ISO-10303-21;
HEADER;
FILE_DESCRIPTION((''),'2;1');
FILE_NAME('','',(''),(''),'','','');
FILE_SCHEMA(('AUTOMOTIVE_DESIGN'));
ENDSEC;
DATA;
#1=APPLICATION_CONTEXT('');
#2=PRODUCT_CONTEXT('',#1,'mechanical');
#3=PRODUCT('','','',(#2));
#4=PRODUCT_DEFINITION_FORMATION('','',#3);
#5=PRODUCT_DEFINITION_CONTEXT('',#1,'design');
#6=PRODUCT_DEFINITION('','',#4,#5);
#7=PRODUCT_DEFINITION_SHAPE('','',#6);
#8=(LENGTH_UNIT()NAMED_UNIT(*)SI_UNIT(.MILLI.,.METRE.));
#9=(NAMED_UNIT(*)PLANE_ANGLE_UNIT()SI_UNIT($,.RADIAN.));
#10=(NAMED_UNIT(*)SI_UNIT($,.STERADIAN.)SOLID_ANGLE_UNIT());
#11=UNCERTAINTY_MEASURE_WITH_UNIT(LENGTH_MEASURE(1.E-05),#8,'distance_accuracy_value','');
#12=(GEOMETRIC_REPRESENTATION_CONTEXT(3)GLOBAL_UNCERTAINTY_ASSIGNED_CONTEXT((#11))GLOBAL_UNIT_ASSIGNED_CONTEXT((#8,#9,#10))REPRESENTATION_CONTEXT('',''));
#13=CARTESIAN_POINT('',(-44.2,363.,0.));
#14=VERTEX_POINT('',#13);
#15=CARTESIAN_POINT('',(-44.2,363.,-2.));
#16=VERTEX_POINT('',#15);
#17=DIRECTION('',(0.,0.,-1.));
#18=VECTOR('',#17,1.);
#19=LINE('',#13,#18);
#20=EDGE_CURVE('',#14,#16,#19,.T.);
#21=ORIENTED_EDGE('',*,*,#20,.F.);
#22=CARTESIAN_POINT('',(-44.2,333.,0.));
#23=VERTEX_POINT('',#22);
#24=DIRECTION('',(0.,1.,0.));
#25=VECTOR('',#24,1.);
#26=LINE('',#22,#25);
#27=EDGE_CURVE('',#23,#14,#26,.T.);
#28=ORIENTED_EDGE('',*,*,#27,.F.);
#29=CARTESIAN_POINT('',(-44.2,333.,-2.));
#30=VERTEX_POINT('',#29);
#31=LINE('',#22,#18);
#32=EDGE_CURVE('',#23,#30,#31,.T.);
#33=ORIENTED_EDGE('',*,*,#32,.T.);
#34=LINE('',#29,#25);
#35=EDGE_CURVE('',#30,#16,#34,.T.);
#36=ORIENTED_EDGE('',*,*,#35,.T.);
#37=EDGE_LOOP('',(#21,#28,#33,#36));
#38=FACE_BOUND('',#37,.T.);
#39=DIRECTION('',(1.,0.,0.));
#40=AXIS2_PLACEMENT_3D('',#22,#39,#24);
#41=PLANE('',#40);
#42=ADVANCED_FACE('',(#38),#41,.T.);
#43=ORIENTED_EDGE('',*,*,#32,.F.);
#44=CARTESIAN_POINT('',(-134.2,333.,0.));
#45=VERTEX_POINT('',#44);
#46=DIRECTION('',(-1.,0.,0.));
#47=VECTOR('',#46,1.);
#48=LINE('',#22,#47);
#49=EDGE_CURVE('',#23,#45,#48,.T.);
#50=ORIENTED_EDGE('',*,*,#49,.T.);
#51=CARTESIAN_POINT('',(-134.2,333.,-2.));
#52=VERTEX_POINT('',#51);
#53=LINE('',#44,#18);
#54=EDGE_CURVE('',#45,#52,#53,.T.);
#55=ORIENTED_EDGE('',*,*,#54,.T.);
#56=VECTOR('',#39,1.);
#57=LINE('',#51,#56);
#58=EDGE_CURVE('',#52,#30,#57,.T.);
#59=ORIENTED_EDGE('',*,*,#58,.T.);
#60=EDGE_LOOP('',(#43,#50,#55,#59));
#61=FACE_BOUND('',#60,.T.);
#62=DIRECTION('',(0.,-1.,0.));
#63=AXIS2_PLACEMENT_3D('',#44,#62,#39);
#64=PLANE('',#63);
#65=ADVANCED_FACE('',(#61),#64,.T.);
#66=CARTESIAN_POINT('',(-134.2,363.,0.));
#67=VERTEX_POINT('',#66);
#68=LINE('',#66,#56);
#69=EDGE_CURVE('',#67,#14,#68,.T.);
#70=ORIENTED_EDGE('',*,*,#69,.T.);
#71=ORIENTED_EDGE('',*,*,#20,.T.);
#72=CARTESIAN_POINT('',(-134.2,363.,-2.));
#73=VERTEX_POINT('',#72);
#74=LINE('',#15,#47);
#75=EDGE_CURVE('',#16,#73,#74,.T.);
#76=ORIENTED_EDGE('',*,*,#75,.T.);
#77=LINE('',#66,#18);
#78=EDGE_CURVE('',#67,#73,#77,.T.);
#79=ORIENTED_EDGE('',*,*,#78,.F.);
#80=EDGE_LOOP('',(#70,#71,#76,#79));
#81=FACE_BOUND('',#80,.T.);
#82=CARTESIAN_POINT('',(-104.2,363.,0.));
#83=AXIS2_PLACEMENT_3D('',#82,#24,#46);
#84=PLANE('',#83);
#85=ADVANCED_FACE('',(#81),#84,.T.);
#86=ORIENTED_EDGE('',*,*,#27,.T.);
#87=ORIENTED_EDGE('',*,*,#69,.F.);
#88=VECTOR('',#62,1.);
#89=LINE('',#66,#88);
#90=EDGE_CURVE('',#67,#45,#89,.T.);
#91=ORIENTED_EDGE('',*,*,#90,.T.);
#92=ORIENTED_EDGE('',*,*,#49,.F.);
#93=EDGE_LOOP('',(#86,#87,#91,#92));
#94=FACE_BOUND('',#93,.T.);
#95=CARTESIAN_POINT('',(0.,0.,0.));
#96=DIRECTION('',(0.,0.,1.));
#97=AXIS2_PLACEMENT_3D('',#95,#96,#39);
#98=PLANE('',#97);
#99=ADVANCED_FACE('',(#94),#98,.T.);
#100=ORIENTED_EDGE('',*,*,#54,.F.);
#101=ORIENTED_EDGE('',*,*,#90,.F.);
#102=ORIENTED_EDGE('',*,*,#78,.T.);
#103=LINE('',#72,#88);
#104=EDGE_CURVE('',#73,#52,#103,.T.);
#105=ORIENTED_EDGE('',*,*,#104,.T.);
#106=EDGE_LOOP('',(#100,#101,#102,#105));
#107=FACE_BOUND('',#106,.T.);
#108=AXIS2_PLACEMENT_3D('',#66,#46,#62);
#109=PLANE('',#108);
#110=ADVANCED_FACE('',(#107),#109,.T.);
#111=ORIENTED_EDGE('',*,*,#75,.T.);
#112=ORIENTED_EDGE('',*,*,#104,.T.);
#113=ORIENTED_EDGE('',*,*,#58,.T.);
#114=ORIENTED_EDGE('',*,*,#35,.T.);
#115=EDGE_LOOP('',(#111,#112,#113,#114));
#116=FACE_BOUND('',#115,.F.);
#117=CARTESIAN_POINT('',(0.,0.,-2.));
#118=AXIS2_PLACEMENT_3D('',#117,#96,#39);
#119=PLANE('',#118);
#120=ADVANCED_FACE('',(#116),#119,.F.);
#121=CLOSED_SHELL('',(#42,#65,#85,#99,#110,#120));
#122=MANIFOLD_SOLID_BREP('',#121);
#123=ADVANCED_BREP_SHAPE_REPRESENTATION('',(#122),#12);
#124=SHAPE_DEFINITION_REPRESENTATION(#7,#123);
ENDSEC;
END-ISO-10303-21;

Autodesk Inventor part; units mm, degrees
ref_plane "YZ Plane" through (0, 0, 0) normal (1, 0, 0) x (0, 1, 0)
ref_plane "XZ Plane" through (0, 0, 0) normal (0, 1, 0) x (-1, 0, 0)
ref_plane "XY Plane" through (0, 0, 0) normal (0, 0, 1) x (1, 0, 0)
ref_plane "Plano de trabajo1" through (0, 0, 0) normal (0, 0, 1) x (1, 0, 0)
sketch "Boceto1" plane through (0, 0, 0) normal (0, 0, 1) x (1, 0, 0)
  line L0 (-164.2, 333) -> (-44.2, 333)
  line L1 (-44.2, 333) -> (-44.2, 363)
  line L2 (-44.2, 363) -> (-164.2, 363)
  line L3 (-164.2, 363) -> (-164.2, 333)
  line L4 (-104.2, 363) -> (-104.2, 333)
  line L5 (-74.2, 363) -> (-74.2, 333)
  line L6 (-134.2, 363) -> (-134.2, 333)
  point P0 (0, 0)
  dimension "d0" = 120
  dimension "d1" = 30
  dimension "d2" = 30
  dimension "d3" = 30
extrude "Extrusión1" add sketch "Boceto1" against normal blind 2 contours L6 L2 L4 L0 | L4 L2 L5 L0 | L5 L2 L1 L0
equation "\"Radio_pliegue\" = Grosor"
equation "\"Anchura_desahogo_plegado\" = Grosor"
equation "\"Profundidad_desahogo_plegado\" = 0.5 * Grosor"
equation "\"Tamaño_destalonado\" = 4 * Grosor"
equation "\"Remanente_mínimo\" = 2 * Grosor"
equation "\"Radiodetransición\" = Radio_pliegue"
equation "\"Tamaño_de_radio_de_Jacobi\" = Radio_pliegue"
equation "\"TamañoSeparación\" = Grosor"
equation "\"Grosor\" = 0.5"
properties part number "0111"
